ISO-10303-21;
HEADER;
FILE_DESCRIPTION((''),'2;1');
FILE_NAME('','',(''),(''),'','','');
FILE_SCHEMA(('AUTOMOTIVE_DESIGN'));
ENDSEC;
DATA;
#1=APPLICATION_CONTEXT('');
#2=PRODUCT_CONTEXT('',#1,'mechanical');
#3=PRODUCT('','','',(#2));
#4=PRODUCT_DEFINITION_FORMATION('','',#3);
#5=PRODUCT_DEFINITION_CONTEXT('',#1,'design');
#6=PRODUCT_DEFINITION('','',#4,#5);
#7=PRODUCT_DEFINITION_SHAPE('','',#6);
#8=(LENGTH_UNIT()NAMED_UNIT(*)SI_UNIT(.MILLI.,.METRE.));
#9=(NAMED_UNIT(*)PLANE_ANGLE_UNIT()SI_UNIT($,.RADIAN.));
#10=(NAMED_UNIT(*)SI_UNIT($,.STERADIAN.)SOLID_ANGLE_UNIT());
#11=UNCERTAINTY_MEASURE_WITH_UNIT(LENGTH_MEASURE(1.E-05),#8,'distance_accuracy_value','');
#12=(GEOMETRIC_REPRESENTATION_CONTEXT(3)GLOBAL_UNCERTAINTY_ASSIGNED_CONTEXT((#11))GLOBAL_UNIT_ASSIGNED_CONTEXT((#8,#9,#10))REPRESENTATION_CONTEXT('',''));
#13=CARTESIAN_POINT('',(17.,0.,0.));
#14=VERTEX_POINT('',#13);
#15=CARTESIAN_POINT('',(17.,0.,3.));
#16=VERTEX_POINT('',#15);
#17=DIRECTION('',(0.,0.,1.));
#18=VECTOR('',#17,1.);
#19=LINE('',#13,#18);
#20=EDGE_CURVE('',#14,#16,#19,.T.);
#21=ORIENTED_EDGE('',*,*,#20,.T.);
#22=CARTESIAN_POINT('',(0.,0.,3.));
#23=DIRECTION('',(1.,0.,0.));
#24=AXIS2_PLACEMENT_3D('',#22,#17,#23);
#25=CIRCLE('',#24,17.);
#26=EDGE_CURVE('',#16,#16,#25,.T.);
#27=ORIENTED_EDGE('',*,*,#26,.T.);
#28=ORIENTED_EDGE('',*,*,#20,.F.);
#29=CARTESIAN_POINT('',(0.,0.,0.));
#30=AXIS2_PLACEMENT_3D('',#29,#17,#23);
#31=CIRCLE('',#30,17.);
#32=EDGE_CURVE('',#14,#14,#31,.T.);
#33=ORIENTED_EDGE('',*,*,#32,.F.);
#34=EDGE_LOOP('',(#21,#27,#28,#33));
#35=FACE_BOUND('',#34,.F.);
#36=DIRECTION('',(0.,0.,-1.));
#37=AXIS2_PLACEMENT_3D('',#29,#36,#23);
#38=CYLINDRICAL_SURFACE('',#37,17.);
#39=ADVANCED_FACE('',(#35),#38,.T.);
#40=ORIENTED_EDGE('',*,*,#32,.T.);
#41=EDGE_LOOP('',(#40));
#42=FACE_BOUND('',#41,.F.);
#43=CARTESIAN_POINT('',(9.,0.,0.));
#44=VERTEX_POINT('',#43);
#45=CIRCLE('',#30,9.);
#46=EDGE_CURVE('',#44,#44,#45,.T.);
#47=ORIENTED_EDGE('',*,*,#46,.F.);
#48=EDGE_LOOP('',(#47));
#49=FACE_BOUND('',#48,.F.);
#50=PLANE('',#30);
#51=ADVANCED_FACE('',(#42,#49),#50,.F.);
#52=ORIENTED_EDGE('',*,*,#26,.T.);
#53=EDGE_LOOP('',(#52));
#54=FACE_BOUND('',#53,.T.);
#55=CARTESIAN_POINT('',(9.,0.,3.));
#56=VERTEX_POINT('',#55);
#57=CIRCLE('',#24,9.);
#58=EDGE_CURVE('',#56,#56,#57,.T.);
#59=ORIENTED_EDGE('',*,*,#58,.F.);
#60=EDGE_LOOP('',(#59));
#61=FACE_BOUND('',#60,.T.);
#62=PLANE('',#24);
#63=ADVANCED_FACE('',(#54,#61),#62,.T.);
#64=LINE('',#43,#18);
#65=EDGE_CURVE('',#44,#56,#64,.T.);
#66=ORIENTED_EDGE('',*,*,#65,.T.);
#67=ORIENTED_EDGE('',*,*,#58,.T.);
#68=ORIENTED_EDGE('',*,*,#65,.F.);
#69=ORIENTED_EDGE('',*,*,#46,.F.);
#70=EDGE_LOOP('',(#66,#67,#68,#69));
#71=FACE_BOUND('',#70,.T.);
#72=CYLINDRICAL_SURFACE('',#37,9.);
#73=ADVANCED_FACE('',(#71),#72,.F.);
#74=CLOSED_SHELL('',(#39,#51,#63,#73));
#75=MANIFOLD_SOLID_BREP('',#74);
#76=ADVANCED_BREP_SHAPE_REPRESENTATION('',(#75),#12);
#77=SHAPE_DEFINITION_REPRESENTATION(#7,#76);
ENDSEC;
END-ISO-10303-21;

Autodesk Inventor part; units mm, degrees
ref_plane "YZ Plane" through (0, 0, 0) normal (1, 0, 0) x (0, 1, 0)
ref_plane "XZ Plane" through (0, 0, 0) normal (0, 1, 0) x (-1, 0, 0)
ref_plane "XY Plane" through (0, 0, 0) normal (0, 0, 1) x (1, 0, 0)
sketch "Sketch1" plane through (0, 0, 0) normal (0, 0, 1) x (1, 0, 0)
  circle A0 centre (0, 0) radius 9
  circle A1 centre (0, 0) radius 17
  dimension "d0" = 18
  dimension "d1" = 34
extrude "Extrusion1" add sketch "Sketch1" along normal blind 3
properties part number "washer2"
